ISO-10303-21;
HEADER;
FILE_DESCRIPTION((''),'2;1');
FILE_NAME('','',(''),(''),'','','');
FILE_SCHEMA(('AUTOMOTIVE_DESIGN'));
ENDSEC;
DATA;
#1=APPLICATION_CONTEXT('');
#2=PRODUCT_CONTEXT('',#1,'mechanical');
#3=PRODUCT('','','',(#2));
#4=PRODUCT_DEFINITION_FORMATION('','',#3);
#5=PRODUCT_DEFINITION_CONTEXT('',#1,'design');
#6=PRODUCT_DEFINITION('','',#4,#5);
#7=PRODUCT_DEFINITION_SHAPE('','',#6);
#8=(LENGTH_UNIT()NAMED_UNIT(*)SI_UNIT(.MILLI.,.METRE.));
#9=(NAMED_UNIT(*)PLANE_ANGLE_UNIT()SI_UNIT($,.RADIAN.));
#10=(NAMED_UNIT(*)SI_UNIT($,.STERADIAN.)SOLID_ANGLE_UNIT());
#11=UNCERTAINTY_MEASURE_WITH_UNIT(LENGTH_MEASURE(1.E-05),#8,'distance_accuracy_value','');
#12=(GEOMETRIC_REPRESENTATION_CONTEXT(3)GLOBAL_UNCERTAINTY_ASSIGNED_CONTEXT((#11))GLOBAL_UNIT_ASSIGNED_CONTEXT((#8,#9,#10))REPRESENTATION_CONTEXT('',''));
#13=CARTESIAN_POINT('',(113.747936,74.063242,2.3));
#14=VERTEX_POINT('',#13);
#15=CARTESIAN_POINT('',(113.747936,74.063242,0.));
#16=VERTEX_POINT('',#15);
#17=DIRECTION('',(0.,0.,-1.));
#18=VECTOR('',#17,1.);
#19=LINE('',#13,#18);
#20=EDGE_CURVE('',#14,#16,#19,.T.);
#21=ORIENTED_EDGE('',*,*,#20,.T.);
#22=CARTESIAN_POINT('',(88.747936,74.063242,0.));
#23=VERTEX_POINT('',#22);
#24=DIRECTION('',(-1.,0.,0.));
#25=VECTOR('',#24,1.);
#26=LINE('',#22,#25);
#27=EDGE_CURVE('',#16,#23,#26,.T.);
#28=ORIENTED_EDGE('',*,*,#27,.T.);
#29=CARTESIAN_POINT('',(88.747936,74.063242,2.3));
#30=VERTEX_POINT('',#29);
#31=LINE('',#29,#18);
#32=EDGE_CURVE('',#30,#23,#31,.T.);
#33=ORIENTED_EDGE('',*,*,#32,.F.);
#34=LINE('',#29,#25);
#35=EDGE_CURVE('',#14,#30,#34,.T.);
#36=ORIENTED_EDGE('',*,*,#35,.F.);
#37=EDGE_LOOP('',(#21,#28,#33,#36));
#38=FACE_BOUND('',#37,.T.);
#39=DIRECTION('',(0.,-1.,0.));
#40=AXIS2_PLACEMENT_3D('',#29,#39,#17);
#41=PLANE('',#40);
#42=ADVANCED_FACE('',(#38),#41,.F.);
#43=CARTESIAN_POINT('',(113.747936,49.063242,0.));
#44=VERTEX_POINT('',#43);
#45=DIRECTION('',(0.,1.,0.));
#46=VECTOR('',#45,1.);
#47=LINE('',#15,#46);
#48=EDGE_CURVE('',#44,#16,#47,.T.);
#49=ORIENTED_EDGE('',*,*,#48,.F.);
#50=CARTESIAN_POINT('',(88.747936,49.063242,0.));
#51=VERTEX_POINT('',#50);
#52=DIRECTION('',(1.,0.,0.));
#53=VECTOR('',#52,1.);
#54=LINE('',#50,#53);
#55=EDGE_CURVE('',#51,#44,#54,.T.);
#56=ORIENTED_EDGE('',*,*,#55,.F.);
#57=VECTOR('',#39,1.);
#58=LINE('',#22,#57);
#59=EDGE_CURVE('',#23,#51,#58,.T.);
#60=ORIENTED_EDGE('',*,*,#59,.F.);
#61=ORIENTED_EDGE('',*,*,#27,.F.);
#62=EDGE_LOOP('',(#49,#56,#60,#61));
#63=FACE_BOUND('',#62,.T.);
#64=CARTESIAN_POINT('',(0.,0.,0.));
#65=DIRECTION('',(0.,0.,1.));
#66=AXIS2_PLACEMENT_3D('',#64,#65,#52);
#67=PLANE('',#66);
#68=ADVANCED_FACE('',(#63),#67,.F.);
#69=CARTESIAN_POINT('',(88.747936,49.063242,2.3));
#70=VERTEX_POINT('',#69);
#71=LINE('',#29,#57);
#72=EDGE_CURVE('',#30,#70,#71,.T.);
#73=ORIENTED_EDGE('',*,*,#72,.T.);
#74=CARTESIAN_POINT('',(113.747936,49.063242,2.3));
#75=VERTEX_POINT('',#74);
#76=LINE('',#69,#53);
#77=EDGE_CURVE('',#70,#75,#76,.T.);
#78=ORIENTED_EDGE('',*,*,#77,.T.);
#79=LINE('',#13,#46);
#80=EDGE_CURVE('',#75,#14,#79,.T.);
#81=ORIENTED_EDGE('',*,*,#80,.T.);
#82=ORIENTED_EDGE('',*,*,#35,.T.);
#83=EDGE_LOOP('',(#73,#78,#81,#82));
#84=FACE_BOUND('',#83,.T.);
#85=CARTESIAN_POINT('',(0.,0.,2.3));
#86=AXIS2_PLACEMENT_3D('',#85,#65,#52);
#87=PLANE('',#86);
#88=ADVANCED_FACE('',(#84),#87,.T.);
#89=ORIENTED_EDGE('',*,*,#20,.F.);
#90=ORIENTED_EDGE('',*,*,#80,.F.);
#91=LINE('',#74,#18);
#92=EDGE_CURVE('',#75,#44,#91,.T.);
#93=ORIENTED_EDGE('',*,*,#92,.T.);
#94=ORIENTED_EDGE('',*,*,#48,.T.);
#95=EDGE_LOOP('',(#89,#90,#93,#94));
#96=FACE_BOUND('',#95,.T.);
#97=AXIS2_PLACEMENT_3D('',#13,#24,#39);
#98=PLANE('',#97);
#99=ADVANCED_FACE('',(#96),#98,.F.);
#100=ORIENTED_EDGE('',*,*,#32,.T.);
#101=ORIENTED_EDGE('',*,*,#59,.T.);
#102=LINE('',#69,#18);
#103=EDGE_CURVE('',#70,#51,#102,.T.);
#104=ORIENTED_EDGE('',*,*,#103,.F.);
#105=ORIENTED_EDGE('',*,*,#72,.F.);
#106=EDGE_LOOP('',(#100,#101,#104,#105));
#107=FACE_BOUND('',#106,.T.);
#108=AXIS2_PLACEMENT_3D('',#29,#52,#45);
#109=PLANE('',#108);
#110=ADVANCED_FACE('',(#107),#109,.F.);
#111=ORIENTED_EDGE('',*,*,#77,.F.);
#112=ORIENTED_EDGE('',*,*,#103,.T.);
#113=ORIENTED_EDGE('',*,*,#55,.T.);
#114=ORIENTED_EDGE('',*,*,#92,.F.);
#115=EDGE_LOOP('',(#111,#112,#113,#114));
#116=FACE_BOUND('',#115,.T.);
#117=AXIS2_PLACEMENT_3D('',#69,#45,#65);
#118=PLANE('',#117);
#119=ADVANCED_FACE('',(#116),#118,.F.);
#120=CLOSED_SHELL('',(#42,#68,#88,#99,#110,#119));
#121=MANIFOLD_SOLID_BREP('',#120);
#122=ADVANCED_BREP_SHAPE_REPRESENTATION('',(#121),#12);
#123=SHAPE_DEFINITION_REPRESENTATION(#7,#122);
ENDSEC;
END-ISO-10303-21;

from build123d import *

# Parameters (mm, degrees)
SKETCH_1_W      = 25
SKETCH_1_H      = 25
EXTRUDE_1_DEPTH = 2.3


with BuildPart() as part:
    # 草图1 → 凸台-拉伸1 (new body)
    with BuildSketch(Plane.XY):
        with Locations((101.247935776, 61.563241835)):
            Rectangle(SKETCH_1_W, SKETCH_1_H)
    extrude(amount=EXTRUDE_1_DEPTH)


solid = part.part
